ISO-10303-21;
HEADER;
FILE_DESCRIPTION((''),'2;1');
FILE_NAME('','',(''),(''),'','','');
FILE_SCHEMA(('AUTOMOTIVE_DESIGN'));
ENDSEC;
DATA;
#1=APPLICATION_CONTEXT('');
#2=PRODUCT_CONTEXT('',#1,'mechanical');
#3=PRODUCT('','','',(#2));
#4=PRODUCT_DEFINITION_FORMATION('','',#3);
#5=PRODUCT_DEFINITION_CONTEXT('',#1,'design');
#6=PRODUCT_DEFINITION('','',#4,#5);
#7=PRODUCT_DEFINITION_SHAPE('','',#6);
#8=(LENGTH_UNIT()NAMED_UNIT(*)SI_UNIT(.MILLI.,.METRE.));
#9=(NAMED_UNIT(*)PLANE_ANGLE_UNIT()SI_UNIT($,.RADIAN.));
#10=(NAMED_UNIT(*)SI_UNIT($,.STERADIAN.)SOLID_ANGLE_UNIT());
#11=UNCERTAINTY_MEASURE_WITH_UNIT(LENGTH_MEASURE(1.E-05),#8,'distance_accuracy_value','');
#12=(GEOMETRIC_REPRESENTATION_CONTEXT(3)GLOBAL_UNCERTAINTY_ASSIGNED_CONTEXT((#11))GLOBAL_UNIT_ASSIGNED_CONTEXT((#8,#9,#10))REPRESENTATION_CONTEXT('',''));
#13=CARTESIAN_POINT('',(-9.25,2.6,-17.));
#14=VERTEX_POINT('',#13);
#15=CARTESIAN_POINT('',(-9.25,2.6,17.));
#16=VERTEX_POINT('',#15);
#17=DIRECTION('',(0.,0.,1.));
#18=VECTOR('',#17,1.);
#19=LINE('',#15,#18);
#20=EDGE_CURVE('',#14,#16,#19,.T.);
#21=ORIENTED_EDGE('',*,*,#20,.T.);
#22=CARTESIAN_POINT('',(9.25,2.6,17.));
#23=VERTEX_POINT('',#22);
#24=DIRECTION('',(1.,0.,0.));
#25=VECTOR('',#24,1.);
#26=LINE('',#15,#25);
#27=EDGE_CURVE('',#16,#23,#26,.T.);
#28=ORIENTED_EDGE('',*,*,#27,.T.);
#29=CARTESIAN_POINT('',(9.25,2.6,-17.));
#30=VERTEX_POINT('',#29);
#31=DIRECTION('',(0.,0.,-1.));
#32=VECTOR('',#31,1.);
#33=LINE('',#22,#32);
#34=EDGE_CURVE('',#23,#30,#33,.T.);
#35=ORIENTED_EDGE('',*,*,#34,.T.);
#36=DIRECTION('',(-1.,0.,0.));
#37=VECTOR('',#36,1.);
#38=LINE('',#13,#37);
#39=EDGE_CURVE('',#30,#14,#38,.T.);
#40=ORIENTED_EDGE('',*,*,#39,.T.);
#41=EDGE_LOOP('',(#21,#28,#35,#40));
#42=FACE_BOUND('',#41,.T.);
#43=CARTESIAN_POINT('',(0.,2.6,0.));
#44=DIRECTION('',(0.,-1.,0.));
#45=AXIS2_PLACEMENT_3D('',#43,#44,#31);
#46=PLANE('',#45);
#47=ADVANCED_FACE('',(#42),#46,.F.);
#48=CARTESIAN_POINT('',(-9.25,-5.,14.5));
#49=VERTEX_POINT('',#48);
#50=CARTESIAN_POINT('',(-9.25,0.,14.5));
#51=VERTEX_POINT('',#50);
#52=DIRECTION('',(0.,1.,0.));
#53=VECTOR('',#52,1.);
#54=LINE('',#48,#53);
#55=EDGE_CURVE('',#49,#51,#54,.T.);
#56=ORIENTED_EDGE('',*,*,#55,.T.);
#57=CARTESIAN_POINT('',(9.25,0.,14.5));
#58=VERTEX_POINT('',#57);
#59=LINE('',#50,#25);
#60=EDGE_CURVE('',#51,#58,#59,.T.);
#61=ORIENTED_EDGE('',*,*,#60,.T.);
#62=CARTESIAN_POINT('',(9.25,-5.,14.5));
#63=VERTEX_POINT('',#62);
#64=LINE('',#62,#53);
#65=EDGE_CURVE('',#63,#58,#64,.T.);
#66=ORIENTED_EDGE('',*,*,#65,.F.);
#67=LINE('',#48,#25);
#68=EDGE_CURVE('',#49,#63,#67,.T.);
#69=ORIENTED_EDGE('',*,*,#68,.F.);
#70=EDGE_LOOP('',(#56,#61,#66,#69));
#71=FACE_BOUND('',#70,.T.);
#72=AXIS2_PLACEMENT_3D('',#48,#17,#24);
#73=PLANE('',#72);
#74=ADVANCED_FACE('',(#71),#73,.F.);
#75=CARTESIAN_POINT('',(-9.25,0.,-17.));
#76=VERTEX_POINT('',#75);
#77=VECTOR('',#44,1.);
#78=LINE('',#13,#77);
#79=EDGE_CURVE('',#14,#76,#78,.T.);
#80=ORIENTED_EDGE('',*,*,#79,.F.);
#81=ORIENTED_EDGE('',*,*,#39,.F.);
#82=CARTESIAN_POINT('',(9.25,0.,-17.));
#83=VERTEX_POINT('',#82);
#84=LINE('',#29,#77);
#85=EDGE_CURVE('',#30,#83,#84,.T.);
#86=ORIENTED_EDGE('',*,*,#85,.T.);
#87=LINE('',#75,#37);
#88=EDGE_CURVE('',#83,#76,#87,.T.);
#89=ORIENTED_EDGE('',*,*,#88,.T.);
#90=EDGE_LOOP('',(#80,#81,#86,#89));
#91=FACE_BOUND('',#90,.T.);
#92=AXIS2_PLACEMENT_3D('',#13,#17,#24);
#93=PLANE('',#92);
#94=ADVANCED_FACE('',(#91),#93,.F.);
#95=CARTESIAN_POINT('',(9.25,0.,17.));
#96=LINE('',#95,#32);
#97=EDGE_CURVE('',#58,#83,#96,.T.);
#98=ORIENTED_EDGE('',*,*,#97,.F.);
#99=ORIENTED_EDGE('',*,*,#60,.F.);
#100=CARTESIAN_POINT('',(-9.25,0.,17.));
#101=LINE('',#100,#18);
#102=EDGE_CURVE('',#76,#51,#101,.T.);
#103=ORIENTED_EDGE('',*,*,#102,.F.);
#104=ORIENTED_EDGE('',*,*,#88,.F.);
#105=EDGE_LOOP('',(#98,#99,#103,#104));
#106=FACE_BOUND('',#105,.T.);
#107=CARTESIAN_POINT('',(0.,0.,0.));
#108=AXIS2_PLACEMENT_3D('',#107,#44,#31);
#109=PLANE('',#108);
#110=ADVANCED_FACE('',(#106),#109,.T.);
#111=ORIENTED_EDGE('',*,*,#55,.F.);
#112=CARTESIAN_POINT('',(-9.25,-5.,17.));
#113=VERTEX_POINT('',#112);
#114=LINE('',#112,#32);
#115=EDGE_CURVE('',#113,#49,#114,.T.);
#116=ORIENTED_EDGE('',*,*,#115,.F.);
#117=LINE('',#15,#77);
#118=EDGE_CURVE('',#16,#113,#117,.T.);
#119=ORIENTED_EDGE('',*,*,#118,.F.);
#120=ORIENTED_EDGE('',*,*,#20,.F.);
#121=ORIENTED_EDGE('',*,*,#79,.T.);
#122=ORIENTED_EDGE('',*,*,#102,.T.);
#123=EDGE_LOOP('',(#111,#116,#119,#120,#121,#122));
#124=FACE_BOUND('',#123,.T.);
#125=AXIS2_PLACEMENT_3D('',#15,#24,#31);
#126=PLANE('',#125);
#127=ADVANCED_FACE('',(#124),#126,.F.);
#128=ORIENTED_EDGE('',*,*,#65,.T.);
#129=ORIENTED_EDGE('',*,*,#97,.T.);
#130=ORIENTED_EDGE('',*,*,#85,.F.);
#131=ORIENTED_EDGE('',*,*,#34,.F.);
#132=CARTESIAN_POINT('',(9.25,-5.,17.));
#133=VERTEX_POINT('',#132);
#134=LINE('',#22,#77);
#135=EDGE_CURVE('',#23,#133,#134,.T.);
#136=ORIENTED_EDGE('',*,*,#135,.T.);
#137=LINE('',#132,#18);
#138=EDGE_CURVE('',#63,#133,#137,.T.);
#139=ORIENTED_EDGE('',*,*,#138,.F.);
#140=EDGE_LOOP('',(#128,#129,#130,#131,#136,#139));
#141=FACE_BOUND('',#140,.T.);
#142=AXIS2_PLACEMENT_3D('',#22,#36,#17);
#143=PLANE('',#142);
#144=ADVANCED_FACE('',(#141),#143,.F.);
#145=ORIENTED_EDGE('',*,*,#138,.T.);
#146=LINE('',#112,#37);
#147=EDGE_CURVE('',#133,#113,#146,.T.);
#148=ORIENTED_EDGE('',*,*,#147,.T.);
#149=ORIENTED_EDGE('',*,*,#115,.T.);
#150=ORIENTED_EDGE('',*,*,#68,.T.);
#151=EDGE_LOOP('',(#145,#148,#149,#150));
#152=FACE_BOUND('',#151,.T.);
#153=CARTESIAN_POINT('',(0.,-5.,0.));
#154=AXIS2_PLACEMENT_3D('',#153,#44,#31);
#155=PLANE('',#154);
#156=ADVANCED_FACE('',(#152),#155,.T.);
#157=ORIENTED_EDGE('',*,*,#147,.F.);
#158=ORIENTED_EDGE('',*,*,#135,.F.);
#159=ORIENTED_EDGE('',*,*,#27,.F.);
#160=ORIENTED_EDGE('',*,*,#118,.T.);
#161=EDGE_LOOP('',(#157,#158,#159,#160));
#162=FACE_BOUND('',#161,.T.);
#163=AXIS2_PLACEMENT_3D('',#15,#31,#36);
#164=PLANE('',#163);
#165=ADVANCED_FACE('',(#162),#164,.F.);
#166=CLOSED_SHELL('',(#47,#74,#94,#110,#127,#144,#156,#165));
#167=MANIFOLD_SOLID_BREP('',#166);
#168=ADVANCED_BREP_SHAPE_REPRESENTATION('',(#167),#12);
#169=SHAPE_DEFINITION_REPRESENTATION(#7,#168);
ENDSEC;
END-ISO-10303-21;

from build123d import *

# Parameters (mm, degrees)
SKETCH1_W           = 18.5
SKETCH1_H           = 34
BOSS_EXTRUDE1_DEPTH = 2.6
SKETCH2_W           = 18.5
SKETCH2_H           = 2.5
BOSS_EXTRUDE2_DEPTH = 5


with BuildPart() as part:
    # Sketch1 → Boss-Extrude1 (new body)
    with BuildSketch(Plane(origin=(0, 0, 0), x_dir=(1, 0, 0), z_dir=(0, 1, 0))):
        Rectangle(SKETCH1_W, SKETCH1_H)
    extrude(amount=BOSS_EXTRUDE1_DEPTH)

    # Sketch2 → Boss-Extrude2 (add)
    with BuildSketch(Plane.XZ):
        with Locations((0, 15.75)):
            Rectangle(SKETCH2_W, SKETCH2_H)
    extrude(amount=BOSS_EXTRUDE2_DEPTH)


solid = part.part
